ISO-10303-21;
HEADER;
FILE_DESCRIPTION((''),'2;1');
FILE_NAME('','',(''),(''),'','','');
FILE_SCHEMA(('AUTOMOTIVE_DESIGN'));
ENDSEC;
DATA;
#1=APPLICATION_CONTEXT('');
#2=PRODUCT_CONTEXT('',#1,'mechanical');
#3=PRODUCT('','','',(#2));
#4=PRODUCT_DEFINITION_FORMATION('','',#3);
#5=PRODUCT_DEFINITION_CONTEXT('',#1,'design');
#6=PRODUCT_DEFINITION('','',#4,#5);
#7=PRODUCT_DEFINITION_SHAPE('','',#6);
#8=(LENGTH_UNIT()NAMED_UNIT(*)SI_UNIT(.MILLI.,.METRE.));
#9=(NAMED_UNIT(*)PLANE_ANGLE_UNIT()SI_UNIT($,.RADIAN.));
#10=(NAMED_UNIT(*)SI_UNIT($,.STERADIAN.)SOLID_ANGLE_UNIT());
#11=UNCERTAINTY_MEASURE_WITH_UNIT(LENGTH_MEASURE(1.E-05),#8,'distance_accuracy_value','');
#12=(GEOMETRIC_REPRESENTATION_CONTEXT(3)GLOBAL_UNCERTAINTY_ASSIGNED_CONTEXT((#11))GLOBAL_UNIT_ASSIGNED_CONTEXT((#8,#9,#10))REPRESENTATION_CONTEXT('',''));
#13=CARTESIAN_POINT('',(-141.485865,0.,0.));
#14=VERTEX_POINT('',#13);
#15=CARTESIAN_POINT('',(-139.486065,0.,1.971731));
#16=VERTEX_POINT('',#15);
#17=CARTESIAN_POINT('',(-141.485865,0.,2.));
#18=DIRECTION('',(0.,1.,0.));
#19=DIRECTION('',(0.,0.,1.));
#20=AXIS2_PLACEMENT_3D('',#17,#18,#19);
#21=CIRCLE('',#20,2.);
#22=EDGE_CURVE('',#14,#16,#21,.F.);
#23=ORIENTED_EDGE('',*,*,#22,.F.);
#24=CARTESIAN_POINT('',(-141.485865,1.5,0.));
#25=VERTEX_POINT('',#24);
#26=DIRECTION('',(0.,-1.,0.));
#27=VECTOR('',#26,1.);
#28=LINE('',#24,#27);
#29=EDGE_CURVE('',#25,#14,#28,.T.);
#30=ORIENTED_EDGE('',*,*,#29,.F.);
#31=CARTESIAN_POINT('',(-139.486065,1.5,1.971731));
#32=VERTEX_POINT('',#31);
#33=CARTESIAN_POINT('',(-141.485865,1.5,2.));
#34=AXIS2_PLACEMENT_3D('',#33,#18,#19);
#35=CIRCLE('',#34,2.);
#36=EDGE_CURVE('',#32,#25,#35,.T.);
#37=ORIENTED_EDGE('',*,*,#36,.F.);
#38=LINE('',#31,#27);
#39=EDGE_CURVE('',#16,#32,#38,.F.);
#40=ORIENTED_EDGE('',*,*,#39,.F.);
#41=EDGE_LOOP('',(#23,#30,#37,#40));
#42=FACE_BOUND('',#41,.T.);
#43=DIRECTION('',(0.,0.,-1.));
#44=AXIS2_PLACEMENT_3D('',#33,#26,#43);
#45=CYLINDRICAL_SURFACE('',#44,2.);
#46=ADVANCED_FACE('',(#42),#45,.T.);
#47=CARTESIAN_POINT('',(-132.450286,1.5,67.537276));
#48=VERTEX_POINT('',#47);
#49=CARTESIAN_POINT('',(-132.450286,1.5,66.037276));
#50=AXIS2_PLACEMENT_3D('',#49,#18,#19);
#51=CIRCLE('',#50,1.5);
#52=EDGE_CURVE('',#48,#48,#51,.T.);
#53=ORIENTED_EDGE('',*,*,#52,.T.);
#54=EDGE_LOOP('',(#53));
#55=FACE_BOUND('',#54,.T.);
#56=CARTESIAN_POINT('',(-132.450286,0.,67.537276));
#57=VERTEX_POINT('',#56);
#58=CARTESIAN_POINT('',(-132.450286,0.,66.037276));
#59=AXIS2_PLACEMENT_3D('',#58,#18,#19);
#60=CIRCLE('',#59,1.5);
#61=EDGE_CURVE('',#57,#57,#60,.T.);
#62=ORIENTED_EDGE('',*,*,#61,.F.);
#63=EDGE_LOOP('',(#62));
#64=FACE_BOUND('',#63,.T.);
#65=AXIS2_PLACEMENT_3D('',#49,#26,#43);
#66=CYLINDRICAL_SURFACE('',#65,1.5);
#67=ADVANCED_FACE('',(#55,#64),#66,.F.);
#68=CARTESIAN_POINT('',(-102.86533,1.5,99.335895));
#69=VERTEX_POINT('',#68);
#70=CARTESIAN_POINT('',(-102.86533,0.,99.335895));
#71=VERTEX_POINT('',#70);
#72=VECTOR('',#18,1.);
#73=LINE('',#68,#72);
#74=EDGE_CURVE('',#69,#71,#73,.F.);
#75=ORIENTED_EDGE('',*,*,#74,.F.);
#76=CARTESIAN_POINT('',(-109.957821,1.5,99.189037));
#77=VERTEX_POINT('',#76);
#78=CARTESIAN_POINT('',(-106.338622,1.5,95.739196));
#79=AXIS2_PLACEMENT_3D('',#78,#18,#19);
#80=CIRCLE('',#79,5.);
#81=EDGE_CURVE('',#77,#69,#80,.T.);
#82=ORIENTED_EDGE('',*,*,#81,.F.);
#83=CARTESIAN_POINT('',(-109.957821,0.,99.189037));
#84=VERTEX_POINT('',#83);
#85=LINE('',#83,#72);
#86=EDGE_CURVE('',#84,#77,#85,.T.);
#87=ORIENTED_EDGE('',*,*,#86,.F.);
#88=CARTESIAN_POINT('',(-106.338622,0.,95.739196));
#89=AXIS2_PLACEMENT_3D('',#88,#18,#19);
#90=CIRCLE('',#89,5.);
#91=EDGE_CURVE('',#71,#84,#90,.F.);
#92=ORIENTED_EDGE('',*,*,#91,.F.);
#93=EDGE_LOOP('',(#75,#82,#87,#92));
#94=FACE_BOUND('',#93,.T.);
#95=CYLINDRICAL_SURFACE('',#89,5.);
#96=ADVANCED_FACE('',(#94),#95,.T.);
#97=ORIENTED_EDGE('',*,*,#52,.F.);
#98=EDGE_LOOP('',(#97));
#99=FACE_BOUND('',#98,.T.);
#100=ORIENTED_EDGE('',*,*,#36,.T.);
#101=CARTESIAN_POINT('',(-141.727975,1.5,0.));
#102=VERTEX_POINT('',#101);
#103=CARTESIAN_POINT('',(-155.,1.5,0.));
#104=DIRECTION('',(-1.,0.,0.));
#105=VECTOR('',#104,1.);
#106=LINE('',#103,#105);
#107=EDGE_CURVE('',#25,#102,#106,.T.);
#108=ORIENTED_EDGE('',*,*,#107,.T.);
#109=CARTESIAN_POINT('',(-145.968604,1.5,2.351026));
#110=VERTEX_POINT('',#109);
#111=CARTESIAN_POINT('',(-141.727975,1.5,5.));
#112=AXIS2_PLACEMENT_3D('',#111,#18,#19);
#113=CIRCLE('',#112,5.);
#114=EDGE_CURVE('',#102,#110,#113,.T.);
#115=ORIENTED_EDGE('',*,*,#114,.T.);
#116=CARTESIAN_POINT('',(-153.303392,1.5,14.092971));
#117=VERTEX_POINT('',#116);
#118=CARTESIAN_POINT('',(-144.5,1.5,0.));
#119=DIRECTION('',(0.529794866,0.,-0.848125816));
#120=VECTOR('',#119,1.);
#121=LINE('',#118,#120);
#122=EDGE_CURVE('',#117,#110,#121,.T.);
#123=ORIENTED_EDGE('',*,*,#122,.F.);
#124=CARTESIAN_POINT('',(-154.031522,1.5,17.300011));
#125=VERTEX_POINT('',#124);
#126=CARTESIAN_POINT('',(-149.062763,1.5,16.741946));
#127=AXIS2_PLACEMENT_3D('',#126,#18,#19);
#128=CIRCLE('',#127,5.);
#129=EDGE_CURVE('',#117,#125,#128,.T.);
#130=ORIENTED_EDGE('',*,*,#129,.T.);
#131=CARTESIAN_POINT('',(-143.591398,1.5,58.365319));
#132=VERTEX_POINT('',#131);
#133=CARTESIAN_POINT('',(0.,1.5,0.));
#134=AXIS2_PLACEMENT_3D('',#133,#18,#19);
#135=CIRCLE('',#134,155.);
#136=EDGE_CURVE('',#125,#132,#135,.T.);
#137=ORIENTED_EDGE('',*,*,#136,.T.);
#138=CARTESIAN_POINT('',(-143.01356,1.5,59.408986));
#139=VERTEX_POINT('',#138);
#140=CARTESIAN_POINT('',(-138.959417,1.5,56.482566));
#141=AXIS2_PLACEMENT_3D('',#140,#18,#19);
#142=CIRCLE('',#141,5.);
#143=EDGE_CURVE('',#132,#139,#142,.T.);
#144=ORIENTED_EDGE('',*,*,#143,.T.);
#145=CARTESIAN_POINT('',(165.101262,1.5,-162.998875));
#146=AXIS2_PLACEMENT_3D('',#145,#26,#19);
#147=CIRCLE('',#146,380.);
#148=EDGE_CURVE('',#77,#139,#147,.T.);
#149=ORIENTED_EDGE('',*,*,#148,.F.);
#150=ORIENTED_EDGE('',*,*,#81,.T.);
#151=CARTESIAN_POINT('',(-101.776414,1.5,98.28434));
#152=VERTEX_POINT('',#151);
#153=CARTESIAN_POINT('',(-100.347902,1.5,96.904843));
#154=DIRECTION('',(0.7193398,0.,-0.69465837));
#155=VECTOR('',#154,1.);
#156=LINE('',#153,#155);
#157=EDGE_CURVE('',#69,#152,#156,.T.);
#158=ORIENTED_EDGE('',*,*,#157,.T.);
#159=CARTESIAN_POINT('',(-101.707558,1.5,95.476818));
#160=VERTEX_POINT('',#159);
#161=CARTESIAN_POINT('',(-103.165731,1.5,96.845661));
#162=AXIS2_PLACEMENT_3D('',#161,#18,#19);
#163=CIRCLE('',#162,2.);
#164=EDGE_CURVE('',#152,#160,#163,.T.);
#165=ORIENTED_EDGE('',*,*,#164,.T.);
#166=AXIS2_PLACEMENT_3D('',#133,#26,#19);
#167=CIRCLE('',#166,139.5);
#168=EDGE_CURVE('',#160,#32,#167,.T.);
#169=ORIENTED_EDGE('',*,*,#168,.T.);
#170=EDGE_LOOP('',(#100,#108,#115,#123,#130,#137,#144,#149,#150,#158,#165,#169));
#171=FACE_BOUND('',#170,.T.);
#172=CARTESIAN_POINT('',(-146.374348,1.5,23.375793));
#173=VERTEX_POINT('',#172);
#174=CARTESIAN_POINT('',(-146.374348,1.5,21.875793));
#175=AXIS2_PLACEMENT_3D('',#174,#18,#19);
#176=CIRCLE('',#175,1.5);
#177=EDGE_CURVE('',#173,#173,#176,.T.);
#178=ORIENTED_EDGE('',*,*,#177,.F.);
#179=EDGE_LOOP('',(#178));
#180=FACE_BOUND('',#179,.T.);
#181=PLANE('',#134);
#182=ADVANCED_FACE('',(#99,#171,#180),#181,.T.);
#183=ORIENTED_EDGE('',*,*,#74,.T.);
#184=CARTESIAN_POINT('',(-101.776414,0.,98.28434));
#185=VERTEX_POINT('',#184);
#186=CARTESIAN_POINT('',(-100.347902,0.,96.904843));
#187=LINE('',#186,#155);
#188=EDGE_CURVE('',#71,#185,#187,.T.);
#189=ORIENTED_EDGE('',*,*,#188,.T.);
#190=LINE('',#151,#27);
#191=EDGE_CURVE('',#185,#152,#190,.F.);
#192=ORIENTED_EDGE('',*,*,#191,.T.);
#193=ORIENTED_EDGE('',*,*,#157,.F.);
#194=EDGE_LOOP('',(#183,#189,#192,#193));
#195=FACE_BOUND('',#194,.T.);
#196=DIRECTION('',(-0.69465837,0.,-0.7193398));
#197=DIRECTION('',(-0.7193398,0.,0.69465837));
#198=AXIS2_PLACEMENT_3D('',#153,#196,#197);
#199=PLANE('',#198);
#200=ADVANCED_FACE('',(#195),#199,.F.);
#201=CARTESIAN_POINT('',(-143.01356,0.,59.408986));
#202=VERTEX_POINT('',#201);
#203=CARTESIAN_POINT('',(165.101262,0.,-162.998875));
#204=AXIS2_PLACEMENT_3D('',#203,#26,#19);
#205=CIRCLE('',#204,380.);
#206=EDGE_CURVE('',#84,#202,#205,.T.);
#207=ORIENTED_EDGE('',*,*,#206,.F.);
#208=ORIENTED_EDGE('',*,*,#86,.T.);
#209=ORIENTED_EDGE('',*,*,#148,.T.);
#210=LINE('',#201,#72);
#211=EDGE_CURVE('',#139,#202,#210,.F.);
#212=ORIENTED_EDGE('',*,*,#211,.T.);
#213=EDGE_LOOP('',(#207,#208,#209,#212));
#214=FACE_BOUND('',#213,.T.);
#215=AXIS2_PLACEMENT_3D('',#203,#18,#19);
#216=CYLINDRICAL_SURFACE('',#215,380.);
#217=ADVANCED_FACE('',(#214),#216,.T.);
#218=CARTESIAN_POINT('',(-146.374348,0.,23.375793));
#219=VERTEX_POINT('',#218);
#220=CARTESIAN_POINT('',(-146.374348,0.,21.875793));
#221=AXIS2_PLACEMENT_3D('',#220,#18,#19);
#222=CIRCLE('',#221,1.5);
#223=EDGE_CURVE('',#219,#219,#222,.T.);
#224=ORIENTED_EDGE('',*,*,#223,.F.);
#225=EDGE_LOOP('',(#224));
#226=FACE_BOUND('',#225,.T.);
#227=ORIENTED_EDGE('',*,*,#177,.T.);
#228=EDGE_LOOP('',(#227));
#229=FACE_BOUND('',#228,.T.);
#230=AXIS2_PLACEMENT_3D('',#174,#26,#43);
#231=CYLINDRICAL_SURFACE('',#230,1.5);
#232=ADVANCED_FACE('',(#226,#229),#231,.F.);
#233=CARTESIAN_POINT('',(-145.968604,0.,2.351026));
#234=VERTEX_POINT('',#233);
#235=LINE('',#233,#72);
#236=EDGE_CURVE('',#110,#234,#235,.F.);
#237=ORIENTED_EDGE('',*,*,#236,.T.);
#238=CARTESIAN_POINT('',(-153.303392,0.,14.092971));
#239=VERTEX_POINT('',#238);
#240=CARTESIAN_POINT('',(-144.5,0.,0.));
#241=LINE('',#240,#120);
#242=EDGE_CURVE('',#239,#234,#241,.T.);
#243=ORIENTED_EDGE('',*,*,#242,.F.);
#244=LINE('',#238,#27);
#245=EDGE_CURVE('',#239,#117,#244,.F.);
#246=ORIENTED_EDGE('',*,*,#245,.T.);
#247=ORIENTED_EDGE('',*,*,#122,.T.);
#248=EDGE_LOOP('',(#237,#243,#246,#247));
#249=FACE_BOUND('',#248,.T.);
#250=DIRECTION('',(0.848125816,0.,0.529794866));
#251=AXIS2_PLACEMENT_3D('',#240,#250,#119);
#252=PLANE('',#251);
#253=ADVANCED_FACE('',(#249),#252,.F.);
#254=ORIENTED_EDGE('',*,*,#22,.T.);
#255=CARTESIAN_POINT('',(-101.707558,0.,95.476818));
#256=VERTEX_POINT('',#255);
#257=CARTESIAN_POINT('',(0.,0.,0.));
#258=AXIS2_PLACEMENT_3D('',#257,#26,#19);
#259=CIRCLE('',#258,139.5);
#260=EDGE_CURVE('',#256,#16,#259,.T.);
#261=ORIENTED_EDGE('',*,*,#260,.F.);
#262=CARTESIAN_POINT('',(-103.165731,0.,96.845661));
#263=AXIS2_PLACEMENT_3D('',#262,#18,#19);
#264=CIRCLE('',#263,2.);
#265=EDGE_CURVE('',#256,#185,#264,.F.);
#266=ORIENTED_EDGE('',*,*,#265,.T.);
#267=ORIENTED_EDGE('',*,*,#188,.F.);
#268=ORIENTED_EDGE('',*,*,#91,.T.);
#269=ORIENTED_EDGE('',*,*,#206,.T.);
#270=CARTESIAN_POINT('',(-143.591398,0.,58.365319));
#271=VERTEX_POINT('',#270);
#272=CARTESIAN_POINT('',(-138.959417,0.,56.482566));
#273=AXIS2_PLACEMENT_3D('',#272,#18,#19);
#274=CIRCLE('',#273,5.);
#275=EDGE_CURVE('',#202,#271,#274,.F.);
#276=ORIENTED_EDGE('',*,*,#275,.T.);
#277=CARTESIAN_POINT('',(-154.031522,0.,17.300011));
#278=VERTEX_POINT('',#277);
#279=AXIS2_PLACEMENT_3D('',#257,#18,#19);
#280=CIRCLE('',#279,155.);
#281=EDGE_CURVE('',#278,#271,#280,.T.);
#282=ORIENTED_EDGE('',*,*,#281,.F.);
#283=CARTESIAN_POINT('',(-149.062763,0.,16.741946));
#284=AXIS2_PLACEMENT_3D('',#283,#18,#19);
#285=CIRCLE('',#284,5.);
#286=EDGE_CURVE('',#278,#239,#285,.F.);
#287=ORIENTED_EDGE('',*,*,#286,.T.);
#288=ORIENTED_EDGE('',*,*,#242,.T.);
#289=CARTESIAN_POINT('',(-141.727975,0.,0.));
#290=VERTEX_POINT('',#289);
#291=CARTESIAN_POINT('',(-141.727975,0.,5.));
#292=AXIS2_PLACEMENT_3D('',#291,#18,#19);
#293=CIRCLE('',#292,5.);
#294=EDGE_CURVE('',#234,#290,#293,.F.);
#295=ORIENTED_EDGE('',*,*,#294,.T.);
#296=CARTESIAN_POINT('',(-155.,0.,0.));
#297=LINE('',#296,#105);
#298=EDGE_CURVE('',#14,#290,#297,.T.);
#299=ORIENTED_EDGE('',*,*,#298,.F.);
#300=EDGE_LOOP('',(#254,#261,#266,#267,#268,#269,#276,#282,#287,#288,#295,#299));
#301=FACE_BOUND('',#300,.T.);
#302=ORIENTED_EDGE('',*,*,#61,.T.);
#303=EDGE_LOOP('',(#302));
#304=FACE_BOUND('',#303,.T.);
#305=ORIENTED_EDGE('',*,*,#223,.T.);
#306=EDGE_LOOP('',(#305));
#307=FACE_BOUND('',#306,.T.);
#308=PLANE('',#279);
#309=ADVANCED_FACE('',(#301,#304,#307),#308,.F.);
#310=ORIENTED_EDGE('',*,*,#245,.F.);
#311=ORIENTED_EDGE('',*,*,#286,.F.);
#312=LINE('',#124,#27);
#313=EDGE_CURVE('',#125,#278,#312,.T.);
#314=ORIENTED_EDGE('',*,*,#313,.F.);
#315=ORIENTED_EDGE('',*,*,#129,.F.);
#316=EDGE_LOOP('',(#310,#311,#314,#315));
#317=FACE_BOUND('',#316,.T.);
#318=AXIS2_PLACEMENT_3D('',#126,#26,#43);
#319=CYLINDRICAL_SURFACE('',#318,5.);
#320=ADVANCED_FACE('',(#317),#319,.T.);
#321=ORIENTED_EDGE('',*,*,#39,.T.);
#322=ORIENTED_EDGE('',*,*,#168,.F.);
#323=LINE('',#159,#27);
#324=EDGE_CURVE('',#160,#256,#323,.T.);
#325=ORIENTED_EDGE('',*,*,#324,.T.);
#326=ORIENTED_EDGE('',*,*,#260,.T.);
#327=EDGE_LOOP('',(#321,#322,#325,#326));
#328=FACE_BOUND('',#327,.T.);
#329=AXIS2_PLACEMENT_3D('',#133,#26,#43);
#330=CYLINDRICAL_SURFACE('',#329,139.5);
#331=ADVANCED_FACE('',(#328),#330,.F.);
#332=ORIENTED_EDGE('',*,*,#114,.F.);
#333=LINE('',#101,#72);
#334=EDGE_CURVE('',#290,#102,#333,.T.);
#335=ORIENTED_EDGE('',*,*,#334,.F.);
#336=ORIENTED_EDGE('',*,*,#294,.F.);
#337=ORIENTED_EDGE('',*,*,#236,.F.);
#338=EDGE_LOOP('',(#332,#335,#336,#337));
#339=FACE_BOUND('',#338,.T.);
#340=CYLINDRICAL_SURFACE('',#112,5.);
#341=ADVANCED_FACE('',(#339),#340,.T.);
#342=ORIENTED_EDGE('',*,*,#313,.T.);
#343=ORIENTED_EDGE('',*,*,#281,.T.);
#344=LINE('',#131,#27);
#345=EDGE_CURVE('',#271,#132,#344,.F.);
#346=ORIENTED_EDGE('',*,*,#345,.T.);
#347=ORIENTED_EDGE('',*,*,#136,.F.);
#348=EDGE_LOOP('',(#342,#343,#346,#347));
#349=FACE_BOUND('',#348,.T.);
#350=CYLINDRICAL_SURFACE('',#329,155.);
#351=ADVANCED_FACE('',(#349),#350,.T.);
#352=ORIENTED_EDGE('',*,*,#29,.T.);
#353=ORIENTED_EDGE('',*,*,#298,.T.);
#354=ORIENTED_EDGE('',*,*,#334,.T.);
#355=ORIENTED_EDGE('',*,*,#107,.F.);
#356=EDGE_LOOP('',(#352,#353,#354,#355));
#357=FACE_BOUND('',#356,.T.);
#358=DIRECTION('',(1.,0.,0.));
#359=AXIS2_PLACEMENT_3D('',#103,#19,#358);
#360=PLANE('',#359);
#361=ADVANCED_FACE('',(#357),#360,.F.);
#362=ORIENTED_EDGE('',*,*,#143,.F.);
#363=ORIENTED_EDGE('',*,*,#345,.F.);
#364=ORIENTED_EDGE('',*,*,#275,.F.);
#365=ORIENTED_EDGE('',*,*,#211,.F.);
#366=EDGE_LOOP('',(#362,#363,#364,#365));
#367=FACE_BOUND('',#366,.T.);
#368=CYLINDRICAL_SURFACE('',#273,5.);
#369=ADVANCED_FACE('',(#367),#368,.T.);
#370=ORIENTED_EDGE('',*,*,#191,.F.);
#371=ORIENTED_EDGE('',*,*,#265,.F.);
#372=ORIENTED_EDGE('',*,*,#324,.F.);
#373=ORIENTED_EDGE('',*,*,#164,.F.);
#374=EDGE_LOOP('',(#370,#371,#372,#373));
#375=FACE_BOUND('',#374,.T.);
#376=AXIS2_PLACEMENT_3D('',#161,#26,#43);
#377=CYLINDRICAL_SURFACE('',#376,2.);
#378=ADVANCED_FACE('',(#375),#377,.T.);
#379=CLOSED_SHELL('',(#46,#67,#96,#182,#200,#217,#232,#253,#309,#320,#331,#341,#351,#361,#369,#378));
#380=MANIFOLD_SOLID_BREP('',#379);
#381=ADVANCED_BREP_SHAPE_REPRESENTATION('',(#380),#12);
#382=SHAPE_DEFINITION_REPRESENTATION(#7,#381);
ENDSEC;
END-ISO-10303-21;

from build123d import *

# Parameters (mm, degrees)
ESQUISSE1_R             = 1.5
BOSS_EXTRU_1_DEPTH      = 1.5
ENL_V_MAT_EXTRU_1_DEPTH = 189.733992158
CONG_1_R                = 5
CONG_2_R                = 2


with BuildPart() as part:
    # Esquisse1 → Boss.-Extru.1 (new body)
    with BuildSketch(Plane(origin=(0, 0, 0), x_dir=(1, 0, 0), z_dir=(0, 1, 0))):
        with BuildLine():
            Line((-155, 0), (-139.5, 0))
            ThreePointArc((-139.5, 0), (-129.342147712, -52.257619782), (-100.347902147, -96.904842679))
            Line((-100.347902147, -96.904842679), (-111.497669052, -107.672047421))
            ThreePointArc((-111.497669052, -107.672047421), (-143.713497458, -58.064021979), (-155, 0))
        make_face()
        with Locations(Location((-146.374347778, -21.875792847, 0), (0, 0, 270))):
            Circle(ESQUISSE1_R, mode=Mode.SUBTRACT)
        with Locations(Location((-132.450285517, -66.03727634, 0), (0, 0, 270))):
            Circle(ESQUISSE1_R, mode=Mode.SUBTRACT)
    extrude(amount=BOSS_EXTRU_1_DEPTH)

    # Esquisse2 → Enlèv. mat.-Extru.1 (cut, through all)
    with BuildSketch(Plane(origin=(0, 1.5, 0), x_dir=(1, 0, 0), z_dir=(0, 1, 0))):
        with BuildLine():
            Line((-155, 0), (-144.5, 0))
            Line((-144.5, 0), (-154.217397717, -15.556164093))
            ThreePointArc((-154.217397717, -15.556164093), (-154.804225792, -7.78791865), (-155, 0))
        make_face()
        with BuildLine():
            Line((-106.461511638, -102.808686738), (-111.497669052, -107.672047421))
            ThreePointArc((-111.497669052, -107.672047421), (-129.740451706, -84.808108051), (-143.363022468, -58.924051021))
            ThreePointArc((-143.363022468, -58.924051021), (-125.74115641, -81.563361553), (-106.461511638, -102.808686738))
        make_face()
    extrude(amount=-ENL_V_MAT_EXTRU_1_DEPTH, mode=Mode.SUBTRACT)

    # Congé1
    cong_1_edges = [part.edges().sort_by_distance(p)[0] for p in [
        (-154.217397717, 0.75, 15.556164093),
        (-144.5, 0.75, 0),
        (-143.363022468, 0.75, 58.924051021),
        (-106.461511638, 0.75, 102.808686738),
    ]]
    fillet(cong_1_edges, radius=CONG_1_R)

    # Congé2
    cong_2_edges = [part.edges().sort_by_distance(p)[0] for p in [
        (-100.347902147, 0.75, 96.904842679),
        (-139.5, 0.75, 0),
    ]]
    fillet(cong_2_edges, radius=CONG_2_R)


solid = part.part
